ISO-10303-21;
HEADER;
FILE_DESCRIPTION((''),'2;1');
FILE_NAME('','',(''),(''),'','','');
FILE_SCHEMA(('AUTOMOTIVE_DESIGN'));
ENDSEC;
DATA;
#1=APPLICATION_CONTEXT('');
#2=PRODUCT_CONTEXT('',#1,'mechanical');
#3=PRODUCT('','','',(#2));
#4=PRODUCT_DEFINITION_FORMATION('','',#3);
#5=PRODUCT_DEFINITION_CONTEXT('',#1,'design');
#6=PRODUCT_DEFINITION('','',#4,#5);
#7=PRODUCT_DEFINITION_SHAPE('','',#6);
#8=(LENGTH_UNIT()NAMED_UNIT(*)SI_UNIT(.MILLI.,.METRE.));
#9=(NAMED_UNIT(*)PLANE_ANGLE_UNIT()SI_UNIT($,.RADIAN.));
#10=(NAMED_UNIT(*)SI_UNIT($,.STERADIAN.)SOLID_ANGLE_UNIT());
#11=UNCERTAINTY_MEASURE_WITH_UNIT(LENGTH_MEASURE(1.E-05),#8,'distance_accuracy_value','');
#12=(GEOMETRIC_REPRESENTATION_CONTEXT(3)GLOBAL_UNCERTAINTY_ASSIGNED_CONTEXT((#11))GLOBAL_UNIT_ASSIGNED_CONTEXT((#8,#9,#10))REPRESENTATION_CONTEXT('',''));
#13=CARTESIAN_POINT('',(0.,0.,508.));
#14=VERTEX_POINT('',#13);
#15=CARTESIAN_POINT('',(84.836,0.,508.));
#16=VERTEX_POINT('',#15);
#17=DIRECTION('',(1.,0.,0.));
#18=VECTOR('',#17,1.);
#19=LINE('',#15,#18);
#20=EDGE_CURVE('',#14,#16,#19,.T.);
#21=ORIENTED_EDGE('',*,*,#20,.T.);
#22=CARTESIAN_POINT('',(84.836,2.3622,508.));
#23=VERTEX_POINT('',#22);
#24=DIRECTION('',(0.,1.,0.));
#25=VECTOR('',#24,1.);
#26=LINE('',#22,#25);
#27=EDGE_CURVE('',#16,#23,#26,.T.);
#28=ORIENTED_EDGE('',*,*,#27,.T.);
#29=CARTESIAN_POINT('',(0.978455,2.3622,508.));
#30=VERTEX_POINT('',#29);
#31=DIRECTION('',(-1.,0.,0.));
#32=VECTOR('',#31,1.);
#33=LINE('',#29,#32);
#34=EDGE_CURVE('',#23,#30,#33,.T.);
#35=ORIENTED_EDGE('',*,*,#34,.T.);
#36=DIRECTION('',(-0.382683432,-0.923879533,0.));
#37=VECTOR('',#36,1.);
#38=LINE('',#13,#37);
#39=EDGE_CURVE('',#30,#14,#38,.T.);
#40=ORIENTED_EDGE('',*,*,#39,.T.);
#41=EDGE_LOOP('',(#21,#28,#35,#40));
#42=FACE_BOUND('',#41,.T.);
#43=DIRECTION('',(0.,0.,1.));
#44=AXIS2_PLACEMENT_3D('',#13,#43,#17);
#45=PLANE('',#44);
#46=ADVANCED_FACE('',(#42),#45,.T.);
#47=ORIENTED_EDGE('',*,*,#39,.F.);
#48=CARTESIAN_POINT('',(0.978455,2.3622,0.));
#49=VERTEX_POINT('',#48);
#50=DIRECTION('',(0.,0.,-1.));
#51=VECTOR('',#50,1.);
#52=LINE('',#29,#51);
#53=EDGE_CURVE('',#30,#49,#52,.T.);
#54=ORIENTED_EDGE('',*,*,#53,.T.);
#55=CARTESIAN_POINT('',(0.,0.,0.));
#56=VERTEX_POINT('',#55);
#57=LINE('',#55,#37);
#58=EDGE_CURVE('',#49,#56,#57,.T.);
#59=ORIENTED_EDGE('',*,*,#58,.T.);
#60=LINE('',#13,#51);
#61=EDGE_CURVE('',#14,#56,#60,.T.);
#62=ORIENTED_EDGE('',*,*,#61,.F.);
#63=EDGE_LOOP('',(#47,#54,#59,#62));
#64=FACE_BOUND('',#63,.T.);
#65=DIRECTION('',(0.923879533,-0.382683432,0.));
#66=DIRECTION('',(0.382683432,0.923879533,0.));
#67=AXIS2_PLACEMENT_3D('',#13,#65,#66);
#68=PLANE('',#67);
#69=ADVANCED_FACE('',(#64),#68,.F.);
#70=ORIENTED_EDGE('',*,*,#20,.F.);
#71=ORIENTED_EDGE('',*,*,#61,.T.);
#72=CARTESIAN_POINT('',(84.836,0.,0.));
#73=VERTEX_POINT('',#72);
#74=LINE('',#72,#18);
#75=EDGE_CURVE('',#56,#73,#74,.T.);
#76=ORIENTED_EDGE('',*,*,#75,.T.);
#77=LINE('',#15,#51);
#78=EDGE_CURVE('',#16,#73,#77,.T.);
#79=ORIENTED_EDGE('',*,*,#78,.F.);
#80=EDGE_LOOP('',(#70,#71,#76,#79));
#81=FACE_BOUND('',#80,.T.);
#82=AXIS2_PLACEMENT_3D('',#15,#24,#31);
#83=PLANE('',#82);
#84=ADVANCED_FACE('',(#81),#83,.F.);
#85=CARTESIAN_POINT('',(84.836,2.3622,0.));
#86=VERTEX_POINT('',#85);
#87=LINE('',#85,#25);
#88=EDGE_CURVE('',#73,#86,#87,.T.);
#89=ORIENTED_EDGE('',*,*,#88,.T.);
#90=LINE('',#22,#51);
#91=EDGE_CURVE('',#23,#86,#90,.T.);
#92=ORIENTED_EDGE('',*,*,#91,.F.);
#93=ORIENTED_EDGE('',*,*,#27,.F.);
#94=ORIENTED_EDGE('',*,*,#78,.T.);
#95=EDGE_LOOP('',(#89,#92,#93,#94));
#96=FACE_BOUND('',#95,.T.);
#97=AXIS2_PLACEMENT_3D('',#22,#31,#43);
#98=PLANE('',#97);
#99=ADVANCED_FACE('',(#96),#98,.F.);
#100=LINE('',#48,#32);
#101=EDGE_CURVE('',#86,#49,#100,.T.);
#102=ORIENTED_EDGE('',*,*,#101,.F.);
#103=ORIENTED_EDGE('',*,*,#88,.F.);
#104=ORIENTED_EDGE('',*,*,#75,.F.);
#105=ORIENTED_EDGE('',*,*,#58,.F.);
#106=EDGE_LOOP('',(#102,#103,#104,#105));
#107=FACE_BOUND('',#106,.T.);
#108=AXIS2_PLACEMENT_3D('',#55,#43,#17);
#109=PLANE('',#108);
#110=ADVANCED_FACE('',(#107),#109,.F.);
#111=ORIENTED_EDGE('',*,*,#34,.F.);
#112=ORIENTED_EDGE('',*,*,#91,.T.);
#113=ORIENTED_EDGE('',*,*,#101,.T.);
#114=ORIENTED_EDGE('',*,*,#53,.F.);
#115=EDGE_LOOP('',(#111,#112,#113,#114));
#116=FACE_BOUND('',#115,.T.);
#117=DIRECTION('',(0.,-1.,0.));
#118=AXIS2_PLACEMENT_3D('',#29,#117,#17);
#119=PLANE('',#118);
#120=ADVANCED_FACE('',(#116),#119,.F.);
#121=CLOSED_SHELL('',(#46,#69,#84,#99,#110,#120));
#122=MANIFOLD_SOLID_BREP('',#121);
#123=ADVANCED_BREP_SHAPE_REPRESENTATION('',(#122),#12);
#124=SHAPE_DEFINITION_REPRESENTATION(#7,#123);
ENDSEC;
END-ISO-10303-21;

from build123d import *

# Parameters (mm, degrees)
BOSS_EXTRUDE1_DEPTH = 508


with BuildPart() as part:
    # Sketch1 → Boss-Extrude1 (new body)
    with BuildSketch(Plane.XY):
        Polygon((0, 0), (0.978455277, 2.3622), (84.836, 2.3622), (84.836, 0), align=None)
    extrude(amount=BOSS_EXTRUDE1_DEPTH)


solid = part.part
